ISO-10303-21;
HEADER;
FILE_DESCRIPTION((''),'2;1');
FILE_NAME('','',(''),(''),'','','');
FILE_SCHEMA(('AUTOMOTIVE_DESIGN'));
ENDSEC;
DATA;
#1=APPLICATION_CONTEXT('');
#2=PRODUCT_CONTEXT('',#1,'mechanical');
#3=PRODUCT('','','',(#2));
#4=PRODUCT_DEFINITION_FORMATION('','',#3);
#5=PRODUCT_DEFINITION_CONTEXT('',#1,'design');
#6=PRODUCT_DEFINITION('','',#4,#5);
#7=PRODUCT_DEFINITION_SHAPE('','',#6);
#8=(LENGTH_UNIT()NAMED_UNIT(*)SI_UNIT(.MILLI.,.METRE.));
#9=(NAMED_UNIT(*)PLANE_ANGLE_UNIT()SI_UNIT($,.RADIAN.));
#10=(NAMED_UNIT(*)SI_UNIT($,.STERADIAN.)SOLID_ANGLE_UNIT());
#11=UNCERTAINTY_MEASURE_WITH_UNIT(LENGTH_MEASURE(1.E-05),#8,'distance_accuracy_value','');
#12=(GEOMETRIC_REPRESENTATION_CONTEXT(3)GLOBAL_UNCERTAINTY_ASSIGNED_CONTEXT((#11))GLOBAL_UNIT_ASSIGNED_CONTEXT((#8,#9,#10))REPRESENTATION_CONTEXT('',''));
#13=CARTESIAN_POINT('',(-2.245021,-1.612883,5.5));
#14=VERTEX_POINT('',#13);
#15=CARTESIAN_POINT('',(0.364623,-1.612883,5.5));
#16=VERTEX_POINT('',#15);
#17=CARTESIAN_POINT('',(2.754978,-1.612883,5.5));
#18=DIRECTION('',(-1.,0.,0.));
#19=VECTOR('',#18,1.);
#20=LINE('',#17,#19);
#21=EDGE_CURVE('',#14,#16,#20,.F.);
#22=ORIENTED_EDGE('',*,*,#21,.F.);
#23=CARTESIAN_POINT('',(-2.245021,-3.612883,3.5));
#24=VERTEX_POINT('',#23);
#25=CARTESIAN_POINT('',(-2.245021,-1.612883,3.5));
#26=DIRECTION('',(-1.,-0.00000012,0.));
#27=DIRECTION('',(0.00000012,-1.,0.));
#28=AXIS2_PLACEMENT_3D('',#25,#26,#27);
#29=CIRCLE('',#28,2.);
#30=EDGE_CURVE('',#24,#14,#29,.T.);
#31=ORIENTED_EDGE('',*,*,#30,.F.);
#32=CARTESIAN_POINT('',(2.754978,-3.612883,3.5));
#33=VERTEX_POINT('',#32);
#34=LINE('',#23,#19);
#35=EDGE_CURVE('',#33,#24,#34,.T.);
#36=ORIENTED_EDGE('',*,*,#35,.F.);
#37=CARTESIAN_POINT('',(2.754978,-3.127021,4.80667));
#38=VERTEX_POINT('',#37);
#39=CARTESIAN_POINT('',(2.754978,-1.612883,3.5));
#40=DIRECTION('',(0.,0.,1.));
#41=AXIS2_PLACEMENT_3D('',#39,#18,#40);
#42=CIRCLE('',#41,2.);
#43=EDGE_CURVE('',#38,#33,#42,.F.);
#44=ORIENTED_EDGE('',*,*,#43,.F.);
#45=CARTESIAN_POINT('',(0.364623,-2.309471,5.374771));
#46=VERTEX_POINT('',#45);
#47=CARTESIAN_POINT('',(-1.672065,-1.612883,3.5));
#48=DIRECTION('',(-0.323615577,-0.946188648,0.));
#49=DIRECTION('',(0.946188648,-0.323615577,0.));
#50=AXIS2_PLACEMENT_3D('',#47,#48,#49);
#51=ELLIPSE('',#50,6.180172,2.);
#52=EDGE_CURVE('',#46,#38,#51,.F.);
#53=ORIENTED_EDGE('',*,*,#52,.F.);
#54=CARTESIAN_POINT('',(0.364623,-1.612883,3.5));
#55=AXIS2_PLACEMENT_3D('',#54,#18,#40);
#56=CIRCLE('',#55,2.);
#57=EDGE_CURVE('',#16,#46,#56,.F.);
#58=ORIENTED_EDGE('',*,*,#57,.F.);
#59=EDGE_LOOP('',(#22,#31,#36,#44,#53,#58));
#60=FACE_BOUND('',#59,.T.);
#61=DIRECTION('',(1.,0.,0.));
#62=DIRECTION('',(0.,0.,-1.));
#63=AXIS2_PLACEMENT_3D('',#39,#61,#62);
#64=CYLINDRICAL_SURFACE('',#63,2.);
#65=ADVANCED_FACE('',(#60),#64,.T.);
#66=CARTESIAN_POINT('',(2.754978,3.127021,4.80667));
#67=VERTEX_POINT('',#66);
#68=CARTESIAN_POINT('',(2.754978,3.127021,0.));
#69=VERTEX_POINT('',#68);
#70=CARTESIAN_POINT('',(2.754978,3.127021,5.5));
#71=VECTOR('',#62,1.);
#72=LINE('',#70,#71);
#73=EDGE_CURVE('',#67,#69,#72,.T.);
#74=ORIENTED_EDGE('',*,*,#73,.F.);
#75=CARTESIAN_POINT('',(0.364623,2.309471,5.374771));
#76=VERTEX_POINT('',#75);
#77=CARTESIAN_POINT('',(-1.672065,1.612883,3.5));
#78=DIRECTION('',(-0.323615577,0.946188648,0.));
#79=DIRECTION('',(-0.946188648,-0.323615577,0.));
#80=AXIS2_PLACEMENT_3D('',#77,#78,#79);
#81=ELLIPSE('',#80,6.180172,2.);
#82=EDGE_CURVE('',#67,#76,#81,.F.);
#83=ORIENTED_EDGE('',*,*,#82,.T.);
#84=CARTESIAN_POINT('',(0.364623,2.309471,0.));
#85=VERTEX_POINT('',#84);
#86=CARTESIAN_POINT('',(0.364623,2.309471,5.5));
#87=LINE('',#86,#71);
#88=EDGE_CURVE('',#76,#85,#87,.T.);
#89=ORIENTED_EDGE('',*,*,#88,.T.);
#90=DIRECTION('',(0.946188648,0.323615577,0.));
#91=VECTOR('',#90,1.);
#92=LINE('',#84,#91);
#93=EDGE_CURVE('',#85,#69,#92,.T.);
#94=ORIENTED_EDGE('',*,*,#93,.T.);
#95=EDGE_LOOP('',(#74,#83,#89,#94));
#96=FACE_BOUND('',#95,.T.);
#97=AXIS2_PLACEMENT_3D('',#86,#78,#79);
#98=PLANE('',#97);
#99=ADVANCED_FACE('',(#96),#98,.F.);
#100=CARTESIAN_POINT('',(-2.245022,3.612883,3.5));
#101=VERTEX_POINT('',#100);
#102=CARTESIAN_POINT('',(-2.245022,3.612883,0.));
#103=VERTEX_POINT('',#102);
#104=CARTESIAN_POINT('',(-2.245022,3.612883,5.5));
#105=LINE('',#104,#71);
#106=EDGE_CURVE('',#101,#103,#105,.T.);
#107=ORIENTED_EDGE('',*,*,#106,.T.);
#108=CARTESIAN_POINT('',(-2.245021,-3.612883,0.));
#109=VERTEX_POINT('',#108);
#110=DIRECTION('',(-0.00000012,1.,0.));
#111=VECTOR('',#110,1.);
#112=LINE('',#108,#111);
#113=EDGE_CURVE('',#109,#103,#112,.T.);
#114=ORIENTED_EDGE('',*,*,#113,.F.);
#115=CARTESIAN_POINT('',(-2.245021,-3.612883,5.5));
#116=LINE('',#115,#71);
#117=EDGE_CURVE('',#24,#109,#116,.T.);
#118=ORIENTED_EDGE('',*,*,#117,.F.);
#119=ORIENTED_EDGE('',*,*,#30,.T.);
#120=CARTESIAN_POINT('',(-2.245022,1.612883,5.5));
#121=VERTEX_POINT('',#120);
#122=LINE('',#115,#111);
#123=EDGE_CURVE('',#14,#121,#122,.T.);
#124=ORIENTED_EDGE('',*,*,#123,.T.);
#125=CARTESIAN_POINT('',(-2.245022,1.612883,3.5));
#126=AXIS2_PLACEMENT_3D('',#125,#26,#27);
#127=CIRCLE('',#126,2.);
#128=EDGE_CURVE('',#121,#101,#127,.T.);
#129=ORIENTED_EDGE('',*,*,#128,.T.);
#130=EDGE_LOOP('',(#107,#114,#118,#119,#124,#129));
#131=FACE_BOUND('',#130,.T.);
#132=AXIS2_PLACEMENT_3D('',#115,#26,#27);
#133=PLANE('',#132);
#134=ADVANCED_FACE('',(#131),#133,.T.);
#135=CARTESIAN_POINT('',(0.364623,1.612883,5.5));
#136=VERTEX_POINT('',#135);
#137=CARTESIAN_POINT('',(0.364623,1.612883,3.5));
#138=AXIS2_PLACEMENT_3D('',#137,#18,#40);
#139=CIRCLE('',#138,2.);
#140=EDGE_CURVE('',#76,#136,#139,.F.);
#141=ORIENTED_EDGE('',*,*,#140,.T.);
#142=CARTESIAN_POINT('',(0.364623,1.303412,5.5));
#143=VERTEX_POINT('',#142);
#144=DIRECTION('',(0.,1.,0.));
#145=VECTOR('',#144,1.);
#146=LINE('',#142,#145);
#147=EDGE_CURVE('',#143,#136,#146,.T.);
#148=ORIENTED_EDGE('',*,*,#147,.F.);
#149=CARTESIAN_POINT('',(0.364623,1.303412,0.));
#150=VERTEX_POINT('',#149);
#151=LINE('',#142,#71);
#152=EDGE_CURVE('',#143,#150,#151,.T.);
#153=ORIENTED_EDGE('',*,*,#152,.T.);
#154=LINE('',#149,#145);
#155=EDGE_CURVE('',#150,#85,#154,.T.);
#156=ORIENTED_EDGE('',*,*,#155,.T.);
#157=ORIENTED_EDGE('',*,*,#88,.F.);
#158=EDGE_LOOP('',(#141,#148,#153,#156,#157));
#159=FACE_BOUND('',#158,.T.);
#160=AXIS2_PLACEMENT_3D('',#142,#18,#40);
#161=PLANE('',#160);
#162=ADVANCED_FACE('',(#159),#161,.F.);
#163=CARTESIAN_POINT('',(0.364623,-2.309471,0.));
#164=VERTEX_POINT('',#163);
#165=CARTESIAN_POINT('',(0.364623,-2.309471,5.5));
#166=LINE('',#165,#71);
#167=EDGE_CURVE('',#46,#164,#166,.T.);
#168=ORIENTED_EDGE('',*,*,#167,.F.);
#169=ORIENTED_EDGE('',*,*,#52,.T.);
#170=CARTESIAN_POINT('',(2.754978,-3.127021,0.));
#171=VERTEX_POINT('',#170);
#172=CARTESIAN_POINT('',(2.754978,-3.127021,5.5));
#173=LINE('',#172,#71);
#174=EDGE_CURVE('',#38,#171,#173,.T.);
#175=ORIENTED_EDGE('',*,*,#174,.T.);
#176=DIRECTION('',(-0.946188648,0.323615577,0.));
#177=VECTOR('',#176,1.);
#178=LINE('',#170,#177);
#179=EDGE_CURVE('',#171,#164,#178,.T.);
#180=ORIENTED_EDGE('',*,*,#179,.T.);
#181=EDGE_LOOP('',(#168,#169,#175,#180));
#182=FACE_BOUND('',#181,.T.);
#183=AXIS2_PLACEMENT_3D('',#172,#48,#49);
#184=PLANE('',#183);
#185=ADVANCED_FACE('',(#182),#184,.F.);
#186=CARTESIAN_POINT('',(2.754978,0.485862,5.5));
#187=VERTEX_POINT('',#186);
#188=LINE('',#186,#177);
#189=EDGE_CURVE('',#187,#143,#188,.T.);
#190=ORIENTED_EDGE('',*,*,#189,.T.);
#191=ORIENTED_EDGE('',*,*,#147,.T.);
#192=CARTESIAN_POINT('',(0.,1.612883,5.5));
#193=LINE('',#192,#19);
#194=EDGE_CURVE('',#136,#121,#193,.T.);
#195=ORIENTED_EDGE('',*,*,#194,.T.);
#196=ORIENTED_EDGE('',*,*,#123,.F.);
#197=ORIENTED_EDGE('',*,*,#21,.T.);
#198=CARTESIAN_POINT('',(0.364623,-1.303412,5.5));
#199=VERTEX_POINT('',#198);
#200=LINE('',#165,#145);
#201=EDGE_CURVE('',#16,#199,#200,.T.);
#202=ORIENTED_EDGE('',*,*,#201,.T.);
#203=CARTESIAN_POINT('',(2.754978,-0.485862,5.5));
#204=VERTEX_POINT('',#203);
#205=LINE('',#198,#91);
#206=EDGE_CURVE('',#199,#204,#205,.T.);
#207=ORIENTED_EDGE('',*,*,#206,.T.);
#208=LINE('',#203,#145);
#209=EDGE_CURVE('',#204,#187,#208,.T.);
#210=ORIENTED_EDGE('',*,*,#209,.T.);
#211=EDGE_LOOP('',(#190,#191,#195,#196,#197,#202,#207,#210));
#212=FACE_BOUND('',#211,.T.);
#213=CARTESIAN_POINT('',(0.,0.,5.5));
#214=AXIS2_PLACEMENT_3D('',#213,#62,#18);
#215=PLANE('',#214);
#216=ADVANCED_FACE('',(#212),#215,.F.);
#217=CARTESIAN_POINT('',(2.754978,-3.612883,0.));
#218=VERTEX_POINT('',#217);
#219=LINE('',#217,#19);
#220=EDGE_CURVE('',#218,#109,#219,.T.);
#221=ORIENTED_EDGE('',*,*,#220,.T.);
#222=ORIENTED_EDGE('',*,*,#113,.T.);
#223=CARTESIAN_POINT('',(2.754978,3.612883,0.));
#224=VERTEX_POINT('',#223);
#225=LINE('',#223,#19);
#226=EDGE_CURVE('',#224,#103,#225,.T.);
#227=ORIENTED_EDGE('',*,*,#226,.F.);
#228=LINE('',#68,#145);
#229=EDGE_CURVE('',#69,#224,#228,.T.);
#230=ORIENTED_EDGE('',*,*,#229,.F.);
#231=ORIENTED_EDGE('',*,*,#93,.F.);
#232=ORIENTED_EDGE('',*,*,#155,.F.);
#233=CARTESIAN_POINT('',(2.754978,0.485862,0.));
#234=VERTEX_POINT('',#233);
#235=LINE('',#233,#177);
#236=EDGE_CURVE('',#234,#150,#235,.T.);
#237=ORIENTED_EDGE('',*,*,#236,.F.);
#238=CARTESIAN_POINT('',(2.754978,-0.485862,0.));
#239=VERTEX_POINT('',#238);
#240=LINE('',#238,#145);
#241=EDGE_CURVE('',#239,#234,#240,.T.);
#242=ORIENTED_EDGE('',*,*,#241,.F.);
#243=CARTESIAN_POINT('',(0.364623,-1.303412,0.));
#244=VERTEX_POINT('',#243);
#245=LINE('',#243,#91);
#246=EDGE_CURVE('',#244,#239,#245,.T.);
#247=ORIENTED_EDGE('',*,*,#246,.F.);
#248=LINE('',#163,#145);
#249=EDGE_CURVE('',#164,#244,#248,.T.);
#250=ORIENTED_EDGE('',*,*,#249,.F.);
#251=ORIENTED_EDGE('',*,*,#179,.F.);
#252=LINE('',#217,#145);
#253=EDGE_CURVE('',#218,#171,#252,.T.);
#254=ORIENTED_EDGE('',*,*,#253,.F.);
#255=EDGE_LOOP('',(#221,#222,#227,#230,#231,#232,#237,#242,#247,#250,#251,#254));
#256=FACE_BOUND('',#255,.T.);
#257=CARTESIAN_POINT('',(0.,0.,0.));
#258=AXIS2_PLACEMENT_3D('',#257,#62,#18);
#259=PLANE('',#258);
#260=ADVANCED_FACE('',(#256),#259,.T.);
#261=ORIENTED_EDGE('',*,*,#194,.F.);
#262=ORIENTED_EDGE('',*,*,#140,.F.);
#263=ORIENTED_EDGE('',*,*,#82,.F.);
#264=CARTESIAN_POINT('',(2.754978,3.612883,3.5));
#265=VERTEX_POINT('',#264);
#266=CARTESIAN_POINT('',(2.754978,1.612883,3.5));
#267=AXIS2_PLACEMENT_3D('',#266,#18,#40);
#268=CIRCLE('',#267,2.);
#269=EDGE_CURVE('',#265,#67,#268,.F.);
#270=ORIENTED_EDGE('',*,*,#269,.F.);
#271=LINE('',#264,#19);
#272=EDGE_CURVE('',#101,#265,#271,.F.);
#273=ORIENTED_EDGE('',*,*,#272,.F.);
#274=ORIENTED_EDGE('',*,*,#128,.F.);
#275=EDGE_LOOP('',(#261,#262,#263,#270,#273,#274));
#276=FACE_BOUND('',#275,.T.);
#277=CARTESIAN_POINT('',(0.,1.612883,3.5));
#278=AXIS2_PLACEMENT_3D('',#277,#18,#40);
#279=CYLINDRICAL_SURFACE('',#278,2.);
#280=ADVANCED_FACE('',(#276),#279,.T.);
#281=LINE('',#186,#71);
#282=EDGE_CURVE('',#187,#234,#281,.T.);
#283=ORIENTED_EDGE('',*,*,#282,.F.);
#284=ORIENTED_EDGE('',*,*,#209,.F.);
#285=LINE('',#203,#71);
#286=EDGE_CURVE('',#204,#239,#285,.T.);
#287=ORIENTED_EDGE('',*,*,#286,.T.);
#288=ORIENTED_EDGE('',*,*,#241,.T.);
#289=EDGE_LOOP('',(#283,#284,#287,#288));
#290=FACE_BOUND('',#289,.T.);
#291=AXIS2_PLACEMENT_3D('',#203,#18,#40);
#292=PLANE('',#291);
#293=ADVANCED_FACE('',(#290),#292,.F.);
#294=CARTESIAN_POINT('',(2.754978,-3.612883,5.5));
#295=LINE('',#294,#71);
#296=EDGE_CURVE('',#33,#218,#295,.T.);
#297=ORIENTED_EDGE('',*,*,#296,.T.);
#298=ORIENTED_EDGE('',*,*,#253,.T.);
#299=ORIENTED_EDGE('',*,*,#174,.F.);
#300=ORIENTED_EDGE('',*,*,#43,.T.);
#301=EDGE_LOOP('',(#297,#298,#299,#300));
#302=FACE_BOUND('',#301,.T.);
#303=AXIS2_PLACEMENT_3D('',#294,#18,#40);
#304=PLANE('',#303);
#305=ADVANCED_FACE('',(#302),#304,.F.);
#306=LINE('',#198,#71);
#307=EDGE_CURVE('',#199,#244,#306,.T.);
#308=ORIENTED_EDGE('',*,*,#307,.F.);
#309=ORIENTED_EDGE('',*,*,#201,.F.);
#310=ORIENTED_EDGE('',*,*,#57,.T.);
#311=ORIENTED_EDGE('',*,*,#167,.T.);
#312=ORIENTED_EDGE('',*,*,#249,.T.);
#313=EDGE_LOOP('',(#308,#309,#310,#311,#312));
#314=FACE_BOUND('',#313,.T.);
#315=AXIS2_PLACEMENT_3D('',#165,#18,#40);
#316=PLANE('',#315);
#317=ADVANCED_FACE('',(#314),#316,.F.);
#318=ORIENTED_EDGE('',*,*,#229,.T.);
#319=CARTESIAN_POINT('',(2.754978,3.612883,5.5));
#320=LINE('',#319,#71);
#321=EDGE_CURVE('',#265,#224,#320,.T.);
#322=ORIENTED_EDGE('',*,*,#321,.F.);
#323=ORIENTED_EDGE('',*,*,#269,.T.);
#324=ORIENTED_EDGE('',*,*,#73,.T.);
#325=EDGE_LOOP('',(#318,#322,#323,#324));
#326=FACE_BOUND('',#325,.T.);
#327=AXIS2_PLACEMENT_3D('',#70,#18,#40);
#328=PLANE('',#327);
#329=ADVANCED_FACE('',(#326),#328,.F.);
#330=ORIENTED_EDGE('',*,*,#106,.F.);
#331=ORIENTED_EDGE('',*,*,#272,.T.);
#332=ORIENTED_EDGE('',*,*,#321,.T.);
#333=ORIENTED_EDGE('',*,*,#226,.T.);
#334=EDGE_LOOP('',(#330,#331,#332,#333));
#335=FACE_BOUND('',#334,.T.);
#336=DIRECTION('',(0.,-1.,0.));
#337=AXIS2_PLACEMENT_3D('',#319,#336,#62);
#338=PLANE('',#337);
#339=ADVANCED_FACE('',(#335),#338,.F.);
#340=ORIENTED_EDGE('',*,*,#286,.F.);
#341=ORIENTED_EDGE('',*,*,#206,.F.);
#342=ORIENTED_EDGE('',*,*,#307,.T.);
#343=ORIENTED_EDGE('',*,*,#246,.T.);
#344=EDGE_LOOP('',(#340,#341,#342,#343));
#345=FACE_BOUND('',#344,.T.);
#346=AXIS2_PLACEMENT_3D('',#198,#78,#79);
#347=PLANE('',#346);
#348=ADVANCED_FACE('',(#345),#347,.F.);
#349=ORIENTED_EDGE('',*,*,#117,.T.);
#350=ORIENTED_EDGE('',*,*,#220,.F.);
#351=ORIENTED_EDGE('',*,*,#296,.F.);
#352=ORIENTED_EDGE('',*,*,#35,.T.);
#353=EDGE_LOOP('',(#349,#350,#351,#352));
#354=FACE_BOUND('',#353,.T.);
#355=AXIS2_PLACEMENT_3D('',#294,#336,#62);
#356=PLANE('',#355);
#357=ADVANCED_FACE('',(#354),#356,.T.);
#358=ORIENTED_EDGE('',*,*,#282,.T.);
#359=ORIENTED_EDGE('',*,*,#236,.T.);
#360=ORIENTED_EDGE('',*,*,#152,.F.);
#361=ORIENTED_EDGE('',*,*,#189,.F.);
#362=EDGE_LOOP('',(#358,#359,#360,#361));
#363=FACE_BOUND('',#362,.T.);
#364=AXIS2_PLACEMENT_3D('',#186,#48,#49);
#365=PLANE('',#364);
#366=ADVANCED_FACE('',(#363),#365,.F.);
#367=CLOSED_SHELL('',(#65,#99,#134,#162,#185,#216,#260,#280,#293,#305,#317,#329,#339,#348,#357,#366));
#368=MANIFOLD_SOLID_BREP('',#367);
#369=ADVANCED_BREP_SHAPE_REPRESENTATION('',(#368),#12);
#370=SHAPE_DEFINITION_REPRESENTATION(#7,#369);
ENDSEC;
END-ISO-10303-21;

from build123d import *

# Parameters (mm, degrees)
BOSS_EXTRUDE1_DEPTH = 5.5
FILLET1_R           = 2


with BuildPart() as part:
    # Sketch1 → Boss-Extrude1 (new body)
    with BuildSketch(Plane.XY):
        Polygon((2.754977626, -3.612882911), (2.754977626, -3.127020625), (0.364622857, -2.309471144), (0.364622857, -1.303411767), (2.754977626, -0.485862286), (2.754977626, 0.485862286), (0.364622857, 1.303411767), (0.364622857, 2.309471144), (2.754977626, 3.127020625), (2.754977626, 3.612882911), (-2.245021882, 3.612882911), (-2.245021014, -3.612882911), align=None)
    extrude(amount=BOSS_EXTRUDE1_DEPTH)

    # Fillet1
    fillet1_edges = [part.edges().sort_by_distance(p)[0] for p in [
        (0.254978306, -3.612882911, 5.5),
        (0.254977872, 3.612882911, 5.5),
    ]]
    fillet(fillet1_edges, radius=FILLET1_R)


solid = part.part
